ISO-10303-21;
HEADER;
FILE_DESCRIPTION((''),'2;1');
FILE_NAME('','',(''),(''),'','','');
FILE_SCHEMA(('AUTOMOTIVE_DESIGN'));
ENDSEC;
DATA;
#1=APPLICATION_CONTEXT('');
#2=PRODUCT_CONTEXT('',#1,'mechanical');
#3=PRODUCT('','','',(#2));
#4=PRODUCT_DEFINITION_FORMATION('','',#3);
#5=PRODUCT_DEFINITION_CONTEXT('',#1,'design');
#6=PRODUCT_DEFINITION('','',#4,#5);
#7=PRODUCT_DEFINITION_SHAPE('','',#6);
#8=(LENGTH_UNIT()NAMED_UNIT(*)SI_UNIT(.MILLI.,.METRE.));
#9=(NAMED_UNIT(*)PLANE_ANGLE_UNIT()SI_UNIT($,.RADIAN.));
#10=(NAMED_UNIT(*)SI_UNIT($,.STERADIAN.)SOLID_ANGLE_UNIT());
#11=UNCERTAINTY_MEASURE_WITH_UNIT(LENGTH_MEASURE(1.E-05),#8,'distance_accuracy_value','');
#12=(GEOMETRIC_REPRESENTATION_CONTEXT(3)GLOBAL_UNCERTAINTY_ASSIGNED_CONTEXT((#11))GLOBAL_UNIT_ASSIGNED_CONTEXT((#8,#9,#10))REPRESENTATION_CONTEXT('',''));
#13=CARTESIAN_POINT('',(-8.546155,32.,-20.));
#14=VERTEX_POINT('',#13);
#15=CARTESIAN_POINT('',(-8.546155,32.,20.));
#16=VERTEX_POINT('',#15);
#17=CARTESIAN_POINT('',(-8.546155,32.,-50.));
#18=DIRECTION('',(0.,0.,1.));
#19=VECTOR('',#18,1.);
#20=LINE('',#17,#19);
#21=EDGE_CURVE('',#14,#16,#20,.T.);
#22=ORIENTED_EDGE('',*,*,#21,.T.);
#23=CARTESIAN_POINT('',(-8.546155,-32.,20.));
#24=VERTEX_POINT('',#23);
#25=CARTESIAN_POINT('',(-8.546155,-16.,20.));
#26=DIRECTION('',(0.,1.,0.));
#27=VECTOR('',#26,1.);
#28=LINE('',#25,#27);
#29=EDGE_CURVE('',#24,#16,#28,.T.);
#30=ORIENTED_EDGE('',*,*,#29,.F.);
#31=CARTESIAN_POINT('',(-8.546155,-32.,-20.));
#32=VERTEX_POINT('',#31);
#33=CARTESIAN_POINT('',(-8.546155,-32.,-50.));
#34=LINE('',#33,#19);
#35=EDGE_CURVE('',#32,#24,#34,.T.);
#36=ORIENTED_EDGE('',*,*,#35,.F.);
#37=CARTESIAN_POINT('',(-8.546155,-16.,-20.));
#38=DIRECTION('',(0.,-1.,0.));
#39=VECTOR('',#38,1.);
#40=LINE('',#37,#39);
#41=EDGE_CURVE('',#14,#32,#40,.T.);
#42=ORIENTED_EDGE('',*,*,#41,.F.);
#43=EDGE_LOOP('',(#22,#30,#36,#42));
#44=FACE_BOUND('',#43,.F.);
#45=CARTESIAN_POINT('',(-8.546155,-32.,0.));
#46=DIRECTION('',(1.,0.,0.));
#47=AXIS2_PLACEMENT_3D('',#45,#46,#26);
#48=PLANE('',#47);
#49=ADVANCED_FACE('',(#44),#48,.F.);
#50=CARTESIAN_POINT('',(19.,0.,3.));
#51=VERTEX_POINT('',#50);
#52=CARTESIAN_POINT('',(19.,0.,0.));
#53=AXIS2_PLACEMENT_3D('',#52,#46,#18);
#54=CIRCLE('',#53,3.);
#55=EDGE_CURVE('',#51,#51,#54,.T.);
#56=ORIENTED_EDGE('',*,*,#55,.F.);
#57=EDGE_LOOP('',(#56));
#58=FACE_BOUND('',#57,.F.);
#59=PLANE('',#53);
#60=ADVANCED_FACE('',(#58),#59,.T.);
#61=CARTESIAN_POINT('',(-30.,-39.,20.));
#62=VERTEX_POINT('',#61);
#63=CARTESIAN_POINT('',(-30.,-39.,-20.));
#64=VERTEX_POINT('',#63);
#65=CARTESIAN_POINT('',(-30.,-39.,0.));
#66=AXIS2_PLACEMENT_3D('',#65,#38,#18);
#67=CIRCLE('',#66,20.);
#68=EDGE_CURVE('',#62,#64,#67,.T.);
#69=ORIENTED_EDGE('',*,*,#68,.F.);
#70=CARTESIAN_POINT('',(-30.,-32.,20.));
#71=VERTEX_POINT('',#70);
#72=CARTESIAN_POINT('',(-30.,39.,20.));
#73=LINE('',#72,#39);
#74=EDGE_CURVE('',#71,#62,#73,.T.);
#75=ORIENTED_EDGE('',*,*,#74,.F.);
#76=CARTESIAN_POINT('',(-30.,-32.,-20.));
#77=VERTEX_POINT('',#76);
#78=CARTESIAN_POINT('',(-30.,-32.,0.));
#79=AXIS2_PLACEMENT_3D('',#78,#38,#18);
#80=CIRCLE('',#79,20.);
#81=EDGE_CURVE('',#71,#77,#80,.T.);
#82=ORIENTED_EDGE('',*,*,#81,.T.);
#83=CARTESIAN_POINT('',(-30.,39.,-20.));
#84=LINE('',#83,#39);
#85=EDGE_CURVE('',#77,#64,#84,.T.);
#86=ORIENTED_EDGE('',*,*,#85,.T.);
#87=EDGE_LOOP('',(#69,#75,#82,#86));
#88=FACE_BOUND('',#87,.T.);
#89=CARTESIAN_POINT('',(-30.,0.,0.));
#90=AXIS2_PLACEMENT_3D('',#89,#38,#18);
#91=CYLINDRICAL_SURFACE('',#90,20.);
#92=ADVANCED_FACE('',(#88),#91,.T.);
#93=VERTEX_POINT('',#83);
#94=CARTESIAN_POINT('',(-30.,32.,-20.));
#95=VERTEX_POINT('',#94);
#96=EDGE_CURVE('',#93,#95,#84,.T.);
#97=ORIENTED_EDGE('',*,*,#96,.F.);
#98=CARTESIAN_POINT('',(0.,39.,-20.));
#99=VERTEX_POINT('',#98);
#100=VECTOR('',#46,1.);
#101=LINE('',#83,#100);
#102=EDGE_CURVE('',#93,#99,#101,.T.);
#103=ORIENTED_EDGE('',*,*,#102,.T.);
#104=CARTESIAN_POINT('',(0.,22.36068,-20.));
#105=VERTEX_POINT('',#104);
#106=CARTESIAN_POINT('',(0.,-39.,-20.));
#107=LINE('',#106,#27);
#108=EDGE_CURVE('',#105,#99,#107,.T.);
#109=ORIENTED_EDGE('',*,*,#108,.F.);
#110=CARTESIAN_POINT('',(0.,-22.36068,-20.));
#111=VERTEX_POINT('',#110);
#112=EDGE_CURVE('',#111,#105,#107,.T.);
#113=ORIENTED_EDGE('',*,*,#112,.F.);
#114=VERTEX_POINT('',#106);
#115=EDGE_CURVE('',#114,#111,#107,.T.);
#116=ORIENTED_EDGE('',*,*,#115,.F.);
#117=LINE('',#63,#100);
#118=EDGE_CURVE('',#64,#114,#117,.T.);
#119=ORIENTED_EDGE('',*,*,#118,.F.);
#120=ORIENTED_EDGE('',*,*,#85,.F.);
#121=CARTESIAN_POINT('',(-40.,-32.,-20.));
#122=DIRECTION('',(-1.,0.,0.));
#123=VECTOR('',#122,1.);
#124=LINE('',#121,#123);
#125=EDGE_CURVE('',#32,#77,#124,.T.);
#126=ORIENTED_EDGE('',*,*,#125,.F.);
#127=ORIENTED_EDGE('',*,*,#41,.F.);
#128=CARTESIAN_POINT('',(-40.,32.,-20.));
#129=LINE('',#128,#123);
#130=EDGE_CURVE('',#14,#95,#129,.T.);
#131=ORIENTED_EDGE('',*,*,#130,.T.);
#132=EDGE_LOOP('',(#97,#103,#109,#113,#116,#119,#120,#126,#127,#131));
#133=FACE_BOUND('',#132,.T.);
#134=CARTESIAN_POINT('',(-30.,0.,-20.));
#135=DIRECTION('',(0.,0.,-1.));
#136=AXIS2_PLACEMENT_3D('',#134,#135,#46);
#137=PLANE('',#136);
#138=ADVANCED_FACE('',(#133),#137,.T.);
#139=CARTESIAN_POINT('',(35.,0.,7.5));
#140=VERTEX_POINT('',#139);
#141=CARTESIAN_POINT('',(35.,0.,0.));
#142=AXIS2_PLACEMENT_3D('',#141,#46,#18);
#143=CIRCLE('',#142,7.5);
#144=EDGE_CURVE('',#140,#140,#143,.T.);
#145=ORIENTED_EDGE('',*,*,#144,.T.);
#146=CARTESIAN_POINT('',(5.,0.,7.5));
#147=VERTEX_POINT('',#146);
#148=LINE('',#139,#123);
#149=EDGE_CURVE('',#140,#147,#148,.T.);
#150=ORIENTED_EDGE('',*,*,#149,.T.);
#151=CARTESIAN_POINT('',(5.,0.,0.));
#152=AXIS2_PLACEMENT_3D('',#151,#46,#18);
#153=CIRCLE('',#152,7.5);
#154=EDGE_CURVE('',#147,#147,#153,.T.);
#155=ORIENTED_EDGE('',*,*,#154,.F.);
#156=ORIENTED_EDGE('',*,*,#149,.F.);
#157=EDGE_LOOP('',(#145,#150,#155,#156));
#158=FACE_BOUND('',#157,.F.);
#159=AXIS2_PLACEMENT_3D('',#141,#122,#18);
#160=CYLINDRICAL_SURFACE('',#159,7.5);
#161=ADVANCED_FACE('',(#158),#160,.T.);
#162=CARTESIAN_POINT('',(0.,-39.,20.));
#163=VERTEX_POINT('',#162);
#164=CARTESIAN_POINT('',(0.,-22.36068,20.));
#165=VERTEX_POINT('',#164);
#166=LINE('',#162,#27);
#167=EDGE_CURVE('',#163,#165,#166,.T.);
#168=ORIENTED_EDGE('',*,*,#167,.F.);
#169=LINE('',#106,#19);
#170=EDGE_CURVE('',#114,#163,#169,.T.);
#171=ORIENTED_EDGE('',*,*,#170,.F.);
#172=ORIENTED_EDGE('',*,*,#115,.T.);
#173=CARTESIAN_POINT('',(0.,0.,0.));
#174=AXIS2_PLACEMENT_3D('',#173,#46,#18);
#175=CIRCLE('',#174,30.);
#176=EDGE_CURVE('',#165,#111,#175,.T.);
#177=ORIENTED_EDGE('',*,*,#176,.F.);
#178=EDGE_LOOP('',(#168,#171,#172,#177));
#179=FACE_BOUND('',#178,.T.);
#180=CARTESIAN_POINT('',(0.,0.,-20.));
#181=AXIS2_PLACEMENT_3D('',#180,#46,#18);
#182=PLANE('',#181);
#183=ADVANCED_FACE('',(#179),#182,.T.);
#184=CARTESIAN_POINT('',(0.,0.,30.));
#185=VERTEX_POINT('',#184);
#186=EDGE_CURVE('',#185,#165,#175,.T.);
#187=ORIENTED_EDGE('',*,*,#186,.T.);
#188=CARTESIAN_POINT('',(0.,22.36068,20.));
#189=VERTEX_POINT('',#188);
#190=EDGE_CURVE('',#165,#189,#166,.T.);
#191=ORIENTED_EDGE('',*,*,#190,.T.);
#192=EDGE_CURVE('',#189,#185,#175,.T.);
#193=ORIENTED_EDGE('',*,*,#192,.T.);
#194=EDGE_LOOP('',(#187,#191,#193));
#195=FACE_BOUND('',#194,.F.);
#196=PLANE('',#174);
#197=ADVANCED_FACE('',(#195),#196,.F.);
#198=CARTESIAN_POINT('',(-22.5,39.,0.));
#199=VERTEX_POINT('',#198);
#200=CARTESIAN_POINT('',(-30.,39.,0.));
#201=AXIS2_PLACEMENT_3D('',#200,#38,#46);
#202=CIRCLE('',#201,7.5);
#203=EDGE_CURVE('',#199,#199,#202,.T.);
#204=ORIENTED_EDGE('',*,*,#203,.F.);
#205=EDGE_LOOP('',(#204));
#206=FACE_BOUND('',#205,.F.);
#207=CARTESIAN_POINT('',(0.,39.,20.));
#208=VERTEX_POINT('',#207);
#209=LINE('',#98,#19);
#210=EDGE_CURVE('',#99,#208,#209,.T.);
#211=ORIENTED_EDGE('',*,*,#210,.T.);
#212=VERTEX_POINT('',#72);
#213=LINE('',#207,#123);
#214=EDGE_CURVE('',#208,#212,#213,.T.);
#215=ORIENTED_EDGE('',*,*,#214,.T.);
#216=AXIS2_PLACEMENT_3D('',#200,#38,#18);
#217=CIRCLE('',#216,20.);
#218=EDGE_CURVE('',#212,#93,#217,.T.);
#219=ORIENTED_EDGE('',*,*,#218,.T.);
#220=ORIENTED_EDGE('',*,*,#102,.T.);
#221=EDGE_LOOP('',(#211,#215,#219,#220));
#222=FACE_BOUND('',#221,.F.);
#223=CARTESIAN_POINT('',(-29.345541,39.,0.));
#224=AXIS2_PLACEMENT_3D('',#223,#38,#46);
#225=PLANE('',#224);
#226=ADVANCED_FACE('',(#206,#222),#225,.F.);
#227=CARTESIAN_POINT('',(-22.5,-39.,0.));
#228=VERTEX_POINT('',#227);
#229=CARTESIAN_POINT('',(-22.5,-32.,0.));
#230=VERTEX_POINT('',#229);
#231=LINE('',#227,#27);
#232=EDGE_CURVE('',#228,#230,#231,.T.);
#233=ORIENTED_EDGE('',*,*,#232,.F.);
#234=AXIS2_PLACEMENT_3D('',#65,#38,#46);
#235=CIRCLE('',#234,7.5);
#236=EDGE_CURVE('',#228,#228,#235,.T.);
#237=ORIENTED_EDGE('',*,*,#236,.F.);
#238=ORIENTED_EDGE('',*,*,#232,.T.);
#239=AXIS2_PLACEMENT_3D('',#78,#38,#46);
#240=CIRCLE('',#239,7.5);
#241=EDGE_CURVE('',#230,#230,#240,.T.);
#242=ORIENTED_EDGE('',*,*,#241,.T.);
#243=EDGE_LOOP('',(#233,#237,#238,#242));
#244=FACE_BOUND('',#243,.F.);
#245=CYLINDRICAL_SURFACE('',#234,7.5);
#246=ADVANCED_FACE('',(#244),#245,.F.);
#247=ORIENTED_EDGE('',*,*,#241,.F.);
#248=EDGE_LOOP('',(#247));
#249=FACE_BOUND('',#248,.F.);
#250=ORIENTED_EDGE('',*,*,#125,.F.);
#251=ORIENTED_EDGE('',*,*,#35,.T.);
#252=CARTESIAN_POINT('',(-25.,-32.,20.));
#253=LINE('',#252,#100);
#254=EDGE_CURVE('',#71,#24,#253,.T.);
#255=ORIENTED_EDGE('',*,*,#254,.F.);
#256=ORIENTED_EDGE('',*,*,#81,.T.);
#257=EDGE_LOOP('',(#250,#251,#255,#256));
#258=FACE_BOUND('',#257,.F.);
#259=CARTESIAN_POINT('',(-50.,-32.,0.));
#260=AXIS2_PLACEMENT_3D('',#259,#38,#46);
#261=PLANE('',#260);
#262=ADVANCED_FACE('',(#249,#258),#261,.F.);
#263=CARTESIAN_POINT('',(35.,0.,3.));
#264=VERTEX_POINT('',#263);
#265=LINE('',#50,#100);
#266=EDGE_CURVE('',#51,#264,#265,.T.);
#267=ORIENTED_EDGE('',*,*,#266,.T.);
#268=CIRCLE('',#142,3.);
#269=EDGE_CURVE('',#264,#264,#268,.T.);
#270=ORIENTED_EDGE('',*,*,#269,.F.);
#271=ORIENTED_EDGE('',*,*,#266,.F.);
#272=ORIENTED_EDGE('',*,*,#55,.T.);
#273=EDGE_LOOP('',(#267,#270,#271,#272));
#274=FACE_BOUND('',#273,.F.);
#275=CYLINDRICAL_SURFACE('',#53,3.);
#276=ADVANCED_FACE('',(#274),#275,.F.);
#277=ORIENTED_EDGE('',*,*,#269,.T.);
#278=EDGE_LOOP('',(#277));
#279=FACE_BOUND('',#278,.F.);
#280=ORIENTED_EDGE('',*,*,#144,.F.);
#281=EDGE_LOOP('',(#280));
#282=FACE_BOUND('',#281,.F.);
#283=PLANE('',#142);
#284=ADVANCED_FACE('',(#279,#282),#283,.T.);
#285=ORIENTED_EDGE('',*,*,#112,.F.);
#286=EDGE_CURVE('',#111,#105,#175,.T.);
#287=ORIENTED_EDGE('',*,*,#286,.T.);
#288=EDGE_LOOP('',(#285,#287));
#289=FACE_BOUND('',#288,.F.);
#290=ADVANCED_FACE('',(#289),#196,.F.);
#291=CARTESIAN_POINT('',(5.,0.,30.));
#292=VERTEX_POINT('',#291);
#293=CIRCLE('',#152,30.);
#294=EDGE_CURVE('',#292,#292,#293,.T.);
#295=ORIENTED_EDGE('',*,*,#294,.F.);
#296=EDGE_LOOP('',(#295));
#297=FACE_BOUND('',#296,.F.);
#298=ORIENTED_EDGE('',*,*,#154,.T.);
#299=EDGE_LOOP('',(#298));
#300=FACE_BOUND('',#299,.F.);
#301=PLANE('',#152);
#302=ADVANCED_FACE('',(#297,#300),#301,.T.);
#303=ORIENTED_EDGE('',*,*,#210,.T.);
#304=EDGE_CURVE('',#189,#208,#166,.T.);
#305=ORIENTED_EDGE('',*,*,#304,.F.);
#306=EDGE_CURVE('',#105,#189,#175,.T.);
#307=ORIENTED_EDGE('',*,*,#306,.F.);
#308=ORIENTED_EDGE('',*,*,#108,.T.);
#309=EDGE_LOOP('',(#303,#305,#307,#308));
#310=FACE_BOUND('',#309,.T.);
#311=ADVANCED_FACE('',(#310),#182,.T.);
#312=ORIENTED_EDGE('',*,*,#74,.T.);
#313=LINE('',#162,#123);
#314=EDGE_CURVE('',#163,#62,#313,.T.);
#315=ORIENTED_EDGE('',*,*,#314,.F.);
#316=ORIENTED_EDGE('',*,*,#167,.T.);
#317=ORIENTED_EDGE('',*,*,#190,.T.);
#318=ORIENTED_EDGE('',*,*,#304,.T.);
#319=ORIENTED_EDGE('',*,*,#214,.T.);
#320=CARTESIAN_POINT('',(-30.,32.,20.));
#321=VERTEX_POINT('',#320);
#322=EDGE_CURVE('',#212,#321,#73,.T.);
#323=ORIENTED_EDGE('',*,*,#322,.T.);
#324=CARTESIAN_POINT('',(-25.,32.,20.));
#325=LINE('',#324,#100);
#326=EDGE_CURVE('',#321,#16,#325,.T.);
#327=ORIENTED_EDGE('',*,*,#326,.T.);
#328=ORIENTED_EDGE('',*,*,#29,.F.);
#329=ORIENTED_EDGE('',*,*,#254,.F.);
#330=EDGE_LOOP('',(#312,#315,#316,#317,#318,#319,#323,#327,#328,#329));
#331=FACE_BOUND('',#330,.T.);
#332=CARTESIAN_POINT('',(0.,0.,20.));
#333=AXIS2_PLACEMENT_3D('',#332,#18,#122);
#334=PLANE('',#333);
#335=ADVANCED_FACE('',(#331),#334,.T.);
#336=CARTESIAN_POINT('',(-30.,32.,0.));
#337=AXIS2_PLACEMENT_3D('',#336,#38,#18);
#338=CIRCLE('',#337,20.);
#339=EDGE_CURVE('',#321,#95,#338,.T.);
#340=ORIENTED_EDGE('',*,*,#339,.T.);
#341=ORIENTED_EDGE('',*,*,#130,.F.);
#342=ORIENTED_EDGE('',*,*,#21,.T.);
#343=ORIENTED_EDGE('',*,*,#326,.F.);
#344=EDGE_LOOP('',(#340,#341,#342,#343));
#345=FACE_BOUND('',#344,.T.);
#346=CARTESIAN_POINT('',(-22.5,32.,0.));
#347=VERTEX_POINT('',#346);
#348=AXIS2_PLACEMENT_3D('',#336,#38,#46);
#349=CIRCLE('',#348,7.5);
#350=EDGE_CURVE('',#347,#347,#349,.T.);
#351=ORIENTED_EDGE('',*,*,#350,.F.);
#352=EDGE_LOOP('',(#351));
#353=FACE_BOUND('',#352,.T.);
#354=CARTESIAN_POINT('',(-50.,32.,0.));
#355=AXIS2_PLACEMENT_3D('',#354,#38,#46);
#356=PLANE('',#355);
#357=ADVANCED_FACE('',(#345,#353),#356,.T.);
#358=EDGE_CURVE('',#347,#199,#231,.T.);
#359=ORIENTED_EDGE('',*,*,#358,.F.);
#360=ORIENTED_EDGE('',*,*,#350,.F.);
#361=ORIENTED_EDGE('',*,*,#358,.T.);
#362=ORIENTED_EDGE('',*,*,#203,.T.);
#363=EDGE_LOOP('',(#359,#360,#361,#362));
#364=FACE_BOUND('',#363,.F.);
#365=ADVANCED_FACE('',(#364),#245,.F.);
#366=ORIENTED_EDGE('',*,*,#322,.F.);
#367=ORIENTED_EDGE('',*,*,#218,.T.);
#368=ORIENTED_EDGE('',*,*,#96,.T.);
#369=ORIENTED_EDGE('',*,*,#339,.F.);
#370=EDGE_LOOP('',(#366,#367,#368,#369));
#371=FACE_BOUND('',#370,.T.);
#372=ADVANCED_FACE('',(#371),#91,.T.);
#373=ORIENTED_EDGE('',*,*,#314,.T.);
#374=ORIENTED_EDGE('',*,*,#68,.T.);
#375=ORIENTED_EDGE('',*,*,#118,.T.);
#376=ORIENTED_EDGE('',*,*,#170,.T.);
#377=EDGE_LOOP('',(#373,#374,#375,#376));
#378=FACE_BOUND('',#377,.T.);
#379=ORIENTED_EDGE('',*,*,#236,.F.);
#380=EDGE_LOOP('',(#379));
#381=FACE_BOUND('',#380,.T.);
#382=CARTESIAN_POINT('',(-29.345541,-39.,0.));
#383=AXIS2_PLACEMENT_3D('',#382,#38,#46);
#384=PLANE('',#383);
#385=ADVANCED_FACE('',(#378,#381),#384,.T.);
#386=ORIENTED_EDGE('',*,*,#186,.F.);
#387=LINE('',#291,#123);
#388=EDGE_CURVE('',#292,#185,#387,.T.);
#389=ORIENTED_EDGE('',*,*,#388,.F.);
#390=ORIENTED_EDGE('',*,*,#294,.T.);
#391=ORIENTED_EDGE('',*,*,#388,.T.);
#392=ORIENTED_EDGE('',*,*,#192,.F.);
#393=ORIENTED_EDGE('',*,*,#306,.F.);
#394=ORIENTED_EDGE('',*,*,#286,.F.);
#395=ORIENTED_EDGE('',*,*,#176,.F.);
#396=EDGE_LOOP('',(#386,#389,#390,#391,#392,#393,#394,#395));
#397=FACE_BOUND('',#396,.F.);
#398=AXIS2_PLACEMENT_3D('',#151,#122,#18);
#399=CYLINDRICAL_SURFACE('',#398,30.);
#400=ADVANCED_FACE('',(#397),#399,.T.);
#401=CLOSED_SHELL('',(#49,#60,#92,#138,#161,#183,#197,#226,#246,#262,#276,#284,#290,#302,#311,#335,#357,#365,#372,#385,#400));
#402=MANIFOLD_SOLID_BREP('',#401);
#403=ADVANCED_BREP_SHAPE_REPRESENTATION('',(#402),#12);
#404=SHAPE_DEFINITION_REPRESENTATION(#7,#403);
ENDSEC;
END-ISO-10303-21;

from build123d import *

# Parameters (mm, degrees)
F0_W     = 5
F0_H     = 7.5
F2_DEPTH = 39
F3_W     = 41.4538450539
F3_H     = 32
F4_DEPTH = 50
F5_R     = 7.5
F6_DEPTH = 78.001


with BuildPart() as f1:
    # F0 (on Front) → F1 (revolve)
    with BuildSketch(Plane.XZ):
        Polygon((5, 7.5), (5, 0), (19, 0), (19, 3), (35, 3), (35, 7.5), align=None)
        with Locations((2.5, 3.75)):
            Rectangle(F0_W, F0_H)
        Polygon((0, 20), (0, 7.5), (5, 7.5), (5, 30), (0, 30), align=None)
    revolve(axis=Axis((17.5, 0, 0), (1, 0, 0)))

    # F0 (on Front) → F2 (join, symmetric)
    with BuildSketch(Plane.XZ):
        with BuildLine():
            ThreePointArc((-30, -20), (-15.8578643763, -14.1421356237), (-10, 0))
            ThreePointArc((-10, 0), (-15.8578643763, 14.1421356237), (-30, 20))
            ThreePointArc((-30, 20), (-50, 0), (-30, -20))
        make_face()
        with BuildLine():
            Line((-10, 0), (0, 0))
            Line((0, 0), (0, 7.5))
            Line((0, 7.5), (0, 20))
            Line((0, 20), (-30, 20))
            ThreePointArc((-30, 20), (-15.8578643763, 14.1421356237), (-10, 0))
        make_face()
        with BuildLine():
            Line((0, -7.5), (0, 0))
            Line((0, 0), (-10, 0))
            ThreePointArc((-10, 0), (-15.8578643763, -14.1421356237), (-30, -20))
            Line((-30, -20), (0, -20))
            Line((0, -20), (0, -7.5))
        make_face()
    extrude(amount=F2_DEPTH, both=True)

    # F3 (on Top) → F4 (cut, symmetric)
    with BuildSketch(Plane.XY):
        with Locations((-29.273077473, -16)):
            Rectangle(F3_W, F3_H)
        with Locations((-29.273077473, 16)):
            Rectangle(F3_W, F3_H)
    extrude(amount=F4_DEPTH, both=True, mode=Mode.SUBTRACT)

    # F5 (on face) → F6 (cut, through all)
    with BuildSketch(Plane.XZ.offset(39)):
        with Locations((-30, 0)):
            Circle(F5_R)
    extrude(amount=-F6_DEPTH, mode=Mode.SUBTRACT)


solid = f1.part
